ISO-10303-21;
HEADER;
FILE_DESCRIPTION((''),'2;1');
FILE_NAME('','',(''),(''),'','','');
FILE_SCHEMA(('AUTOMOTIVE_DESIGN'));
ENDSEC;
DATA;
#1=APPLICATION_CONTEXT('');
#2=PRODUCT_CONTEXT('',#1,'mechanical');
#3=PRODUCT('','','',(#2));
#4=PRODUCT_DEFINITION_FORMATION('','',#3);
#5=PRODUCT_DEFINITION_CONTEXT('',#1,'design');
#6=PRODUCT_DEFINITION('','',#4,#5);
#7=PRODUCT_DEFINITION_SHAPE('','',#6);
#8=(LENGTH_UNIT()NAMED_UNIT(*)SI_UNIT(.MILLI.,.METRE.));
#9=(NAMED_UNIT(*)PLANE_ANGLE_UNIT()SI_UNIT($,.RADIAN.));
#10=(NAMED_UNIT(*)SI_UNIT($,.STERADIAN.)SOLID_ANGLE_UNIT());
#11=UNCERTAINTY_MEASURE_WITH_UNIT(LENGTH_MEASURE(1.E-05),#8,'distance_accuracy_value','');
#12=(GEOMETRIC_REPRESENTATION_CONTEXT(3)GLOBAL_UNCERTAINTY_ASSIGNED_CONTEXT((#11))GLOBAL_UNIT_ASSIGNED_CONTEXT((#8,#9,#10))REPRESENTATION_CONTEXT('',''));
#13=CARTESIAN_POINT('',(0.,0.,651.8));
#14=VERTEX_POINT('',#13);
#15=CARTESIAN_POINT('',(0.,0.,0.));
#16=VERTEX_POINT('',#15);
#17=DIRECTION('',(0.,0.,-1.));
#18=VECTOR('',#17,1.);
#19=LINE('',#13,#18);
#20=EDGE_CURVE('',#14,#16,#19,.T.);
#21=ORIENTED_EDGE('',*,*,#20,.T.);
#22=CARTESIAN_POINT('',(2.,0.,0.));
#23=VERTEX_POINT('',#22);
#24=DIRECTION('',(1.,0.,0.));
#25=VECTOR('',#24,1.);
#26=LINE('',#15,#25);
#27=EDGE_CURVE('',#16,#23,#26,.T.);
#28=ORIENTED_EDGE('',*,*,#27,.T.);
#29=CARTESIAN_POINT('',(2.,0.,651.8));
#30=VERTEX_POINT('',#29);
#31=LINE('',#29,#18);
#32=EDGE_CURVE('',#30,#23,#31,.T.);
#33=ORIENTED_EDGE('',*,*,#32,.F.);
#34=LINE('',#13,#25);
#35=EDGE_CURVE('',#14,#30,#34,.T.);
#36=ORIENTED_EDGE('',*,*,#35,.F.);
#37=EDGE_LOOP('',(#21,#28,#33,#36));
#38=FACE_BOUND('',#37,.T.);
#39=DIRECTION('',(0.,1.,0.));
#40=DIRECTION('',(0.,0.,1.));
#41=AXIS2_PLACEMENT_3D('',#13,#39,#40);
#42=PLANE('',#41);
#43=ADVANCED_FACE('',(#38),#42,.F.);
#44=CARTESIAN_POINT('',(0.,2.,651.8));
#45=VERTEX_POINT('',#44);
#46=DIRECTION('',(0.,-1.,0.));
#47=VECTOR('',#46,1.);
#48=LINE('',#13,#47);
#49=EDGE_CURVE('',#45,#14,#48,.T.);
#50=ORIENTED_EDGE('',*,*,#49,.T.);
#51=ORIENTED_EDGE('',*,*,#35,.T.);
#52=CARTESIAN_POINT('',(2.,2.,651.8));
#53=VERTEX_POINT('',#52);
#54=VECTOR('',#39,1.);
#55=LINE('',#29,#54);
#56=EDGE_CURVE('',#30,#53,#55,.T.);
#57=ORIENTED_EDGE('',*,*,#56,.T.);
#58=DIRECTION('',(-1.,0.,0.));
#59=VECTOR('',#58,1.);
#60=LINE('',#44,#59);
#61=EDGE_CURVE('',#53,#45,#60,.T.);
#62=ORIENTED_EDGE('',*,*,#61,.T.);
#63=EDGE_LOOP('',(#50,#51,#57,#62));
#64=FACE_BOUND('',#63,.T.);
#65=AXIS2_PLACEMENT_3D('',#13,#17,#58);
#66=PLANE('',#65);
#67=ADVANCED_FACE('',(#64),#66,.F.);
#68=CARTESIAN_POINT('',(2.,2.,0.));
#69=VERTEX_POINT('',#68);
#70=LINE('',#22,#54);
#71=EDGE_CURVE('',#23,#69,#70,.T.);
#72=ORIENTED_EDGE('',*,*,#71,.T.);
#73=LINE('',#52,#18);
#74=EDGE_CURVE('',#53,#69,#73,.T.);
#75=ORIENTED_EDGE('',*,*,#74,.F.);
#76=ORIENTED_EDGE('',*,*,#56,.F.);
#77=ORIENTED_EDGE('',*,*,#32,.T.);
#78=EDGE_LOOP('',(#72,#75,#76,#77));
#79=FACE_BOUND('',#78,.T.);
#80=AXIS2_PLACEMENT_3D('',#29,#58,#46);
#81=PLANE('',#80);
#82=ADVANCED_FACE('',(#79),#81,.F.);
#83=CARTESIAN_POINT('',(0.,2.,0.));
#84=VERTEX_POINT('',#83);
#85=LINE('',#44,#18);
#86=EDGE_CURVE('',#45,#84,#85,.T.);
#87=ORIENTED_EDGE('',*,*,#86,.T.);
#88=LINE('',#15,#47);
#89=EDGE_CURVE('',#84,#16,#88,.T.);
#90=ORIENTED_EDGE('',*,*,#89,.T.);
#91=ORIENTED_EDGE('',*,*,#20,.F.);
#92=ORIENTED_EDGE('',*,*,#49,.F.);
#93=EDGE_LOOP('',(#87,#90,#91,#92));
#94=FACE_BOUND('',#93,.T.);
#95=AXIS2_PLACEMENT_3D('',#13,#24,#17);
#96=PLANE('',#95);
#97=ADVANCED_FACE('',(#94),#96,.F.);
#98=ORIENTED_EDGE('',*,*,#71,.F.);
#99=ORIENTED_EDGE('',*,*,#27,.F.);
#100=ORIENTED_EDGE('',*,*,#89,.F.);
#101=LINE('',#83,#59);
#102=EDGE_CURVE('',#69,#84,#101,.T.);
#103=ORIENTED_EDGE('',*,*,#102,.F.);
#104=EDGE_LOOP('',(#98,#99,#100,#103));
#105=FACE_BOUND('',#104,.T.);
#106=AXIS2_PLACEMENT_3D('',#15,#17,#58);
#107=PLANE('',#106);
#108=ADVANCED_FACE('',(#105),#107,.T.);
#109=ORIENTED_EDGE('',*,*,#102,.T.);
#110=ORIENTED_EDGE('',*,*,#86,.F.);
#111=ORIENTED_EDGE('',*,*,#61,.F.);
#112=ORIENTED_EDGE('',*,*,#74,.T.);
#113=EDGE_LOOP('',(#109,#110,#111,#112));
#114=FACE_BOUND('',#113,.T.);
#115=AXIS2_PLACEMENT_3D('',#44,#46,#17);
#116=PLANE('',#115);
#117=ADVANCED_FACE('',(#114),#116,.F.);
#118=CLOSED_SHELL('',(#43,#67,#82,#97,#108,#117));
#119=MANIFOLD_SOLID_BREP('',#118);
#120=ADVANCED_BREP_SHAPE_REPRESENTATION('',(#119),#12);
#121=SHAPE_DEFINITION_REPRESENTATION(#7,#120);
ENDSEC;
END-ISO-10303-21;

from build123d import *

# Parameters (mm, degrees)
SKETCH_1_W      = 2
SKETCH_1_H      = 2
EXTRUDE_1_DEPTH = 651.8


with BuildPart() as part:
    # 草图1 → 凸台-拉伸1 (new body)
    with BuildSketch(Plane.XY):
        with Locations((1, 1)):
            Rectangle(SKETCH_1_W, SKETCH_1_H)
    extrude(amount=EXTRUDE_1_DEPTH)


solid = part.part
